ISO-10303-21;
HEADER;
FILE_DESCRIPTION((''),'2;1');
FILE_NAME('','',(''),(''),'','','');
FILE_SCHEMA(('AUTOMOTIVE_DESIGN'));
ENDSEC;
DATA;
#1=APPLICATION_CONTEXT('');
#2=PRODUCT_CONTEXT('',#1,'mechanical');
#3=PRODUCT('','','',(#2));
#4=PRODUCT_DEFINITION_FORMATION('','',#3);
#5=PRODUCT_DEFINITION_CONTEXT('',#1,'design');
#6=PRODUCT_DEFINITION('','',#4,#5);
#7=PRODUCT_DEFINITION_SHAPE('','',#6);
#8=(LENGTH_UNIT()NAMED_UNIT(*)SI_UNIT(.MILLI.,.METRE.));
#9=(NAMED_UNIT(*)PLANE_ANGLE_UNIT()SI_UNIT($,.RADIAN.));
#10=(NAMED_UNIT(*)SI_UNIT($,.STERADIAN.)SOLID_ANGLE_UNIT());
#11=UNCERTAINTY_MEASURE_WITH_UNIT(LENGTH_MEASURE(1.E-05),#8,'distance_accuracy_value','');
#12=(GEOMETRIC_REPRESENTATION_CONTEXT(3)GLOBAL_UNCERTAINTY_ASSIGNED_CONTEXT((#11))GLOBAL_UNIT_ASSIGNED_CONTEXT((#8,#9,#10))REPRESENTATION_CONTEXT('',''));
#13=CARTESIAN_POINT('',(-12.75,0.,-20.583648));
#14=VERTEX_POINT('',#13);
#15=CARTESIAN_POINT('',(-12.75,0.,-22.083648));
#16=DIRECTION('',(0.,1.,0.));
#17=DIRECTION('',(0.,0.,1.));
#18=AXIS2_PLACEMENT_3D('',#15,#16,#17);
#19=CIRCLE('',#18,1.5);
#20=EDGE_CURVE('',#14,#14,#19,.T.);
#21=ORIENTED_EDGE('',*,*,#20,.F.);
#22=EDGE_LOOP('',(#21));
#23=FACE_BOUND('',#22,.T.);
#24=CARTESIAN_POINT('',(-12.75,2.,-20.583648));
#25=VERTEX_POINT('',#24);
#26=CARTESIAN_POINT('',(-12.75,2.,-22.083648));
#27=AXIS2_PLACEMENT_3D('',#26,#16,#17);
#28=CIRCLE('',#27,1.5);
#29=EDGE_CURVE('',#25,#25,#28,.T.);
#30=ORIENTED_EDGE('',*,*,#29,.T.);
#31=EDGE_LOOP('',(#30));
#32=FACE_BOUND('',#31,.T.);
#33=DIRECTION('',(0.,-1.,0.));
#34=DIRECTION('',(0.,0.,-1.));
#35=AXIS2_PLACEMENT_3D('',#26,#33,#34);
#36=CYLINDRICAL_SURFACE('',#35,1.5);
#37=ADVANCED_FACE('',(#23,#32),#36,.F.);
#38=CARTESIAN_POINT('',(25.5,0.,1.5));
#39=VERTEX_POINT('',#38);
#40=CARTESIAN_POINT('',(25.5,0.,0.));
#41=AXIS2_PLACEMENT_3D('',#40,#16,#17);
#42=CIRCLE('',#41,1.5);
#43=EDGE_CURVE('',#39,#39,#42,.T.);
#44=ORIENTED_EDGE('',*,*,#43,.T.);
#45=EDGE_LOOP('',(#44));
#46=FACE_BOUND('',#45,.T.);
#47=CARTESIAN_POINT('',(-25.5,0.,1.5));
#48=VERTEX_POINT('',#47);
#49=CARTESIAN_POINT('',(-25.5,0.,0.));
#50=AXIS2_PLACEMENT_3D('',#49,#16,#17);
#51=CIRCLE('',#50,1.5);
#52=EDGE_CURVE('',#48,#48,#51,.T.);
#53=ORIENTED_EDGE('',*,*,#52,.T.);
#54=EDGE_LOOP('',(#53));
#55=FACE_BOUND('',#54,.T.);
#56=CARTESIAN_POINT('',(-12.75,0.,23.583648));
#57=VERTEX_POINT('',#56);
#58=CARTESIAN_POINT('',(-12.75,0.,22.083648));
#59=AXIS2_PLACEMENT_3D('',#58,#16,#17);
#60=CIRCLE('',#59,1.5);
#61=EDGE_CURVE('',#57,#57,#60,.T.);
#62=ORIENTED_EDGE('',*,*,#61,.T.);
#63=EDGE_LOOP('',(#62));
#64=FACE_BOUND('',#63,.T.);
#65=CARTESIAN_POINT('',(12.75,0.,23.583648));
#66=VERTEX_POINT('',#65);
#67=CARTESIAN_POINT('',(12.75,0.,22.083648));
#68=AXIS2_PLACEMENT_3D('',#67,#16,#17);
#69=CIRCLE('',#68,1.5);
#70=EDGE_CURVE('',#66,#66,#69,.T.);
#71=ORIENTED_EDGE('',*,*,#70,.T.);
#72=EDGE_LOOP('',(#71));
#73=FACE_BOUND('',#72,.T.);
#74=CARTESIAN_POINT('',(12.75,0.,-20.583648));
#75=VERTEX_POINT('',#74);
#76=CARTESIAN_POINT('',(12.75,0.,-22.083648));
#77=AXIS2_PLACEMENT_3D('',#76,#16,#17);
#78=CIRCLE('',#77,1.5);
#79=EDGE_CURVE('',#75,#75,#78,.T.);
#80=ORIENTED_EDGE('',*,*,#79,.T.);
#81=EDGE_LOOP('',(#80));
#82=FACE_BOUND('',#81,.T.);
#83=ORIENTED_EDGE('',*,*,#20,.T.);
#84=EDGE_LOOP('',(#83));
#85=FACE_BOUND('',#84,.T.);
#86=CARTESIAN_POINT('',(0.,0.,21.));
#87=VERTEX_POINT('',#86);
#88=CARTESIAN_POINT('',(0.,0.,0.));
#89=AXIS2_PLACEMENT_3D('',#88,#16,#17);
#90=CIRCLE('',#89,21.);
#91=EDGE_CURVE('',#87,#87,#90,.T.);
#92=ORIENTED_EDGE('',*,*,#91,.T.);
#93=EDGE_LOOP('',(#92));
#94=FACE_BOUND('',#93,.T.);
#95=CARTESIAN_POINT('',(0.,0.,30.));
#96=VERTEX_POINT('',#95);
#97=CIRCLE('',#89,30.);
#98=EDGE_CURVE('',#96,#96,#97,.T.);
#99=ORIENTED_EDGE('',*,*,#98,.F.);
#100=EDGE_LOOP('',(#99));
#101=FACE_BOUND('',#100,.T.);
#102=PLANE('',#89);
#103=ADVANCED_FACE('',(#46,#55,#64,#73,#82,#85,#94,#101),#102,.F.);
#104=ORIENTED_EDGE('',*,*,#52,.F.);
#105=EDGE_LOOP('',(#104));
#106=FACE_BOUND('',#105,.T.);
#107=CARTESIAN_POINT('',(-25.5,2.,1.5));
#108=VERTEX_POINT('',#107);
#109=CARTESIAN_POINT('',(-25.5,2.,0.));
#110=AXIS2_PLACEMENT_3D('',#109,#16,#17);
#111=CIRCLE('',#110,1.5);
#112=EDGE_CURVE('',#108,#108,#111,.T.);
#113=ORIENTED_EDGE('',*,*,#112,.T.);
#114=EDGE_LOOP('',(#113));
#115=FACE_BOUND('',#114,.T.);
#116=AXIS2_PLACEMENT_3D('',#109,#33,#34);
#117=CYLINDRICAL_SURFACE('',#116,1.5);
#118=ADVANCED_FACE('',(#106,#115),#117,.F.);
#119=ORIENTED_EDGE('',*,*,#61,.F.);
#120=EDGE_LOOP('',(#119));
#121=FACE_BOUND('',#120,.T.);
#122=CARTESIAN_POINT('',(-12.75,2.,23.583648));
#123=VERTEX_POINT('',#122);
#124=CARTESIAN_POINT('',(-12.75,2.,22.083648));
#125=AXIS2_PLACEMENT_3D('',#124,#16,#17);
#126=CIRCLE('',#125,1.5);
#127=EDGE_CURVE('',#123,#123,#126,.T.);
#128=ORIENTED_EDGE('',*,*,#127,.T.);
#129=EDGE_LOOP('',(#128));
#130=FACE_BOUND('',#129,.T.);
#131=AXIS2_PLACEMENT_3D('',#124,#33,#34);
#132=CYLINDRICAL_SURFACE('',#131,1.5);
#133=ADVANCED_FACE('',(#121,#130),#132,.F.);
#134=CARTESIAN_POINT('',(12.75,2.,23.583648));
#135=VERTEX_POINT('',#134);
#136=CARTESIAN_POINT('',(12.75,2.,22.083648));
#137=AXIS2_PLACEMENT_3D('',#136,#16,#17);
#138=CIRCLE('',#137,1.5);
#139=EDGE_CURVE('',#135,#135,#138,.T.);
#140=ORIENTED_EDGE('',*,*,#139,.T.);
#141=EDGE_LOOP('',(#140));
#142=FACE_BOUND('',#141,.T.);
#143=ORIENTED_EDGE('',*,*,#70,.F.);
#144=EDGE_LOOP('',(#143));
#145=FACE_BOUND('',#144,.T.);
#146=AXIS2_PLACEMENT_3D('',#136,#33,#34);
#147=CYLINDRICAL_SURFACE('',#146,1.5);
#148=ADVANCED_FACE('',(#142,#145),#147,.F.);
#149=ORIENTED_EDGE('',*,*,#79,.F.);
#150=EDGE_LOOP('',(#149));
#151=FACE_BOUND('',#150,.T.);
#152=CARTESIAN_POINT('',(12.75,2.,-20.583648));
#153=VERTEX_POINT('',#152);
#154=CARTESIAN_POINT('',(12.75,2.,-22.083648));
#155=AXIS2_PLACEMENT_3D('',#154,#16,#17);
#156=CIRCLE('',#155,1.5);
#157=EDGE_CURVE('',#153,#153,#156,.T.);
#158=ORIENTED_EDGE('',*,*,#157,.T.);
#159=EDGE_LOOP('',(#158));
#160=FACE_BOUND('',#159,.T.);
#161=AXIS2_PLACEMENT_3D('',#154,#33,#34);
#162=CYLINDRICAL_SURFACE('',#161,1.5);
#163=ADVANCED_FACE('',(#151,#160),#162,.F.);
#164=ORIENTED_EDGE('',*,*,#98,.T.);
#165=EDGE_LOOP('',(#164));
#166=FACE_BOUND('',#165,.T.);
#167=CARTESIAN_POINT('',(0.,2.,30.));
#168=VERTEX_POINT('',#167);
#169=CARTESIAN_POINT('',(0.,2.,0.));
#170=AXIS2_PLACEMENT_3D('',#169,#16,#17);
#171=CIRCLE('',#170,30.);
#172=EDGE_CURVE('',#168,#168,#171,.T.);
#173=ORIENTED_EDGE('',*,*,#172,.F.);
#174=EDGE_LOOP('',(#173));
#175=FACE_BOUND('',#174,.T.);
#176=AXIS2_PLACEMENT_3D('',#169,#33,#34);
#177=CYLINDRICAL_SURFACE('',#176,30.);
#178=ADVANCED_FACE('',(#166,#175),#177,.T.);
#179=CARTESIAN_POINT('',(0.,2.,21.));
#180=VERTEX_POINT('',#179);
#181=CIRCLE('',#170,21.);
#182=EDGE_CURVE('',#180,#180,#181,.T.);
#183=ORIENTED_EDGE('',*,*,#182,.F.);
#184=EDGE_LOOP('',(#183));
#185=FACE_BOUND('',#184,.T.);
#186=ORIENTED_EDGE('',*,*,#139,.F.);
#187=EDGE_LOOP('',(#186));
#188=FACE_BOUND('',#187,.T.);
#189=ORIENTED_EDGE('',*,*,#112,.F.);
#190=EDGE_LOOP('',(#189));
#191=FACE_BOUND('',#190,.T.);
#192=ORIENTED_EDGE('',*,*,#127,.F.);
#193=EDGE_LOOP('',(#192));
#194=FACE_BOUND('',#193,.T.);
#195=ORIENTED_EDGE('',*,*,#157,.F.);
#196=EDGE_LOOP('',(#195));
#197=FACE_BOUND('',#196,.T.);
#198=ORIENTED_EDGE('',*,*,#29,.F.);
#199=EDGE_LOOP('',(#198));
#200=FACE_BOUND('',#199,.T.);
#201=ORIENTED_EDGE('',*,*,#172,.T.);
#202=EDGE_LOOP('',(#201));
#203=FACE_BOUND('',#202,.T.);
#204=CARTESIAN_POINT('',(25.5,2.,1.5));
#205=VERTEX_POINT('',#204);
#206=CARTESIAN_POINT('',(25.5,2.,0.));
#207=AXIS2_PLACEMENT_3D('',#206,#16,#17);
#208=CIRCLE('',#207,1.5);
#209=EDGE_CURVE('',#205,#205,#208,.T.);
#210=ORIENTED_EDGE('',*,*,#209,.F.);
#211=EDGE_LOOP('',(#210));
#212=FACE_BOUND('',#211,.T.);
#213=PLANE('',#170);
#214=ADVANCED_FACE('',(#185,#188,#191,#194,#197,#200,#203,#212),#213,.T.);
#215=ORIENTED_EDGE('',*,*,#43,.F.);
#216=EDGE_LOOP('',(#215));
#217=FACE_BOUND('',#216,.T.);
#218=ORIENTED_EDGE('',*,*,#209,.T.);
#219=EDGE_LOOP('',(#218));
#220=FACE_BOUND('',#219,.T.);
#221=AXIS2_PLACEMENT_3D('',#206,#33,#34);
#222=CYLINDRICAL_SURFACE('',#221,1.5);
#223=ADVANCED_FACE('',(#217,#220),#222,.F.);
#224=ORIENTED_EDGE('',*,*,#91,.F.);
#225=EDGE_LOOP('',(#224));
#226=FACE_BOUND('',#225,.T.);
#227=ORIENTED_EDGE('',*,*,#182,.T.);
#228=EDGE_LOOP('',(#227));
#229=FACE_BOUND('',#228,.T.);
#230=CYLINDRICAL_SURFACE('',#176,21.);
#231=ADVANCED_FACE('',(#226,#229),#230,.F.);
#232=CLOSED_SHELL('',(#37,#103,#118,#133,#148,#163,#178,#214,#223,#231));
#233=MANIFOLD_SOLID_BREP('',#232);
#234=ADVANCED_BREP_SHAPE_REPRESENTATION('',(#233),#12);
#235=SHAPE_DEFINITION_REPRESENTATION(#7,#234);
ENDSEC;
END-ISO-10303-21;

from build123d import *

# Parameters (mm, degrees)
SKETCH1_R           = 30
SKETCH1_R_2         = 21
SKETCH1_R_3         = 1.5
BOSS_EXTRUDE1_DEPTH = 2


with BuildPart() as part:
    # Sketch1 → Boss-Extrude1 (new body)
    with BuildSketch(Plane(origin=(0, 0, 0), x_dir=(1, 0, 0), z_dir=(0, 1, 0))):
        with Locations(Location((0, 0, 0), (0, 0, 270))):
            Circle(SKETCH1_R)
        with Locations(Location((0, 0, 0), (0, 0, 270))):
            Circle(SKETCH1_R_2, mode=Mode.SUBTRACT)
        with Locations(Location((-12.75, 22.083647797, 0), (0, 0, 270))):
            Circle(SKETCH1_R_3, mode=Mode.SUBTRACT)
        with Locations(Location((12.75, 22.083647797, 0), (0, 0, 270))):
            Circle(SKETCH1_R_3, mode=Mode.SUBTRACT)
        with Locations(Location((25.5, 0, 0), (0, 0, 270))):
            Circle(SKETCH1_R_3, mode=Mode.SUBTRACT)
        with Locations(Location((12.75, -22.083647797, 0), (0, 0, 270))):
            Circle(SKETCH1_R_3, mode=Mode.SUBTRACT)
        with Locations(Location((-12.75, -22.083647797, 0), (0, 0, 270))):
            Circle(SKETCH1_R_3, mode=Mode.SUBTRACT)
        with Locations(Location((-25.5, 0, 0), (0, 0, 270))):
            Circle(SKETCH1_R_3, mode=Mode.SUBTRACT)
    extrude(amount=BOSS_EXTRUDE1_DEPTH)


solid = part.part
